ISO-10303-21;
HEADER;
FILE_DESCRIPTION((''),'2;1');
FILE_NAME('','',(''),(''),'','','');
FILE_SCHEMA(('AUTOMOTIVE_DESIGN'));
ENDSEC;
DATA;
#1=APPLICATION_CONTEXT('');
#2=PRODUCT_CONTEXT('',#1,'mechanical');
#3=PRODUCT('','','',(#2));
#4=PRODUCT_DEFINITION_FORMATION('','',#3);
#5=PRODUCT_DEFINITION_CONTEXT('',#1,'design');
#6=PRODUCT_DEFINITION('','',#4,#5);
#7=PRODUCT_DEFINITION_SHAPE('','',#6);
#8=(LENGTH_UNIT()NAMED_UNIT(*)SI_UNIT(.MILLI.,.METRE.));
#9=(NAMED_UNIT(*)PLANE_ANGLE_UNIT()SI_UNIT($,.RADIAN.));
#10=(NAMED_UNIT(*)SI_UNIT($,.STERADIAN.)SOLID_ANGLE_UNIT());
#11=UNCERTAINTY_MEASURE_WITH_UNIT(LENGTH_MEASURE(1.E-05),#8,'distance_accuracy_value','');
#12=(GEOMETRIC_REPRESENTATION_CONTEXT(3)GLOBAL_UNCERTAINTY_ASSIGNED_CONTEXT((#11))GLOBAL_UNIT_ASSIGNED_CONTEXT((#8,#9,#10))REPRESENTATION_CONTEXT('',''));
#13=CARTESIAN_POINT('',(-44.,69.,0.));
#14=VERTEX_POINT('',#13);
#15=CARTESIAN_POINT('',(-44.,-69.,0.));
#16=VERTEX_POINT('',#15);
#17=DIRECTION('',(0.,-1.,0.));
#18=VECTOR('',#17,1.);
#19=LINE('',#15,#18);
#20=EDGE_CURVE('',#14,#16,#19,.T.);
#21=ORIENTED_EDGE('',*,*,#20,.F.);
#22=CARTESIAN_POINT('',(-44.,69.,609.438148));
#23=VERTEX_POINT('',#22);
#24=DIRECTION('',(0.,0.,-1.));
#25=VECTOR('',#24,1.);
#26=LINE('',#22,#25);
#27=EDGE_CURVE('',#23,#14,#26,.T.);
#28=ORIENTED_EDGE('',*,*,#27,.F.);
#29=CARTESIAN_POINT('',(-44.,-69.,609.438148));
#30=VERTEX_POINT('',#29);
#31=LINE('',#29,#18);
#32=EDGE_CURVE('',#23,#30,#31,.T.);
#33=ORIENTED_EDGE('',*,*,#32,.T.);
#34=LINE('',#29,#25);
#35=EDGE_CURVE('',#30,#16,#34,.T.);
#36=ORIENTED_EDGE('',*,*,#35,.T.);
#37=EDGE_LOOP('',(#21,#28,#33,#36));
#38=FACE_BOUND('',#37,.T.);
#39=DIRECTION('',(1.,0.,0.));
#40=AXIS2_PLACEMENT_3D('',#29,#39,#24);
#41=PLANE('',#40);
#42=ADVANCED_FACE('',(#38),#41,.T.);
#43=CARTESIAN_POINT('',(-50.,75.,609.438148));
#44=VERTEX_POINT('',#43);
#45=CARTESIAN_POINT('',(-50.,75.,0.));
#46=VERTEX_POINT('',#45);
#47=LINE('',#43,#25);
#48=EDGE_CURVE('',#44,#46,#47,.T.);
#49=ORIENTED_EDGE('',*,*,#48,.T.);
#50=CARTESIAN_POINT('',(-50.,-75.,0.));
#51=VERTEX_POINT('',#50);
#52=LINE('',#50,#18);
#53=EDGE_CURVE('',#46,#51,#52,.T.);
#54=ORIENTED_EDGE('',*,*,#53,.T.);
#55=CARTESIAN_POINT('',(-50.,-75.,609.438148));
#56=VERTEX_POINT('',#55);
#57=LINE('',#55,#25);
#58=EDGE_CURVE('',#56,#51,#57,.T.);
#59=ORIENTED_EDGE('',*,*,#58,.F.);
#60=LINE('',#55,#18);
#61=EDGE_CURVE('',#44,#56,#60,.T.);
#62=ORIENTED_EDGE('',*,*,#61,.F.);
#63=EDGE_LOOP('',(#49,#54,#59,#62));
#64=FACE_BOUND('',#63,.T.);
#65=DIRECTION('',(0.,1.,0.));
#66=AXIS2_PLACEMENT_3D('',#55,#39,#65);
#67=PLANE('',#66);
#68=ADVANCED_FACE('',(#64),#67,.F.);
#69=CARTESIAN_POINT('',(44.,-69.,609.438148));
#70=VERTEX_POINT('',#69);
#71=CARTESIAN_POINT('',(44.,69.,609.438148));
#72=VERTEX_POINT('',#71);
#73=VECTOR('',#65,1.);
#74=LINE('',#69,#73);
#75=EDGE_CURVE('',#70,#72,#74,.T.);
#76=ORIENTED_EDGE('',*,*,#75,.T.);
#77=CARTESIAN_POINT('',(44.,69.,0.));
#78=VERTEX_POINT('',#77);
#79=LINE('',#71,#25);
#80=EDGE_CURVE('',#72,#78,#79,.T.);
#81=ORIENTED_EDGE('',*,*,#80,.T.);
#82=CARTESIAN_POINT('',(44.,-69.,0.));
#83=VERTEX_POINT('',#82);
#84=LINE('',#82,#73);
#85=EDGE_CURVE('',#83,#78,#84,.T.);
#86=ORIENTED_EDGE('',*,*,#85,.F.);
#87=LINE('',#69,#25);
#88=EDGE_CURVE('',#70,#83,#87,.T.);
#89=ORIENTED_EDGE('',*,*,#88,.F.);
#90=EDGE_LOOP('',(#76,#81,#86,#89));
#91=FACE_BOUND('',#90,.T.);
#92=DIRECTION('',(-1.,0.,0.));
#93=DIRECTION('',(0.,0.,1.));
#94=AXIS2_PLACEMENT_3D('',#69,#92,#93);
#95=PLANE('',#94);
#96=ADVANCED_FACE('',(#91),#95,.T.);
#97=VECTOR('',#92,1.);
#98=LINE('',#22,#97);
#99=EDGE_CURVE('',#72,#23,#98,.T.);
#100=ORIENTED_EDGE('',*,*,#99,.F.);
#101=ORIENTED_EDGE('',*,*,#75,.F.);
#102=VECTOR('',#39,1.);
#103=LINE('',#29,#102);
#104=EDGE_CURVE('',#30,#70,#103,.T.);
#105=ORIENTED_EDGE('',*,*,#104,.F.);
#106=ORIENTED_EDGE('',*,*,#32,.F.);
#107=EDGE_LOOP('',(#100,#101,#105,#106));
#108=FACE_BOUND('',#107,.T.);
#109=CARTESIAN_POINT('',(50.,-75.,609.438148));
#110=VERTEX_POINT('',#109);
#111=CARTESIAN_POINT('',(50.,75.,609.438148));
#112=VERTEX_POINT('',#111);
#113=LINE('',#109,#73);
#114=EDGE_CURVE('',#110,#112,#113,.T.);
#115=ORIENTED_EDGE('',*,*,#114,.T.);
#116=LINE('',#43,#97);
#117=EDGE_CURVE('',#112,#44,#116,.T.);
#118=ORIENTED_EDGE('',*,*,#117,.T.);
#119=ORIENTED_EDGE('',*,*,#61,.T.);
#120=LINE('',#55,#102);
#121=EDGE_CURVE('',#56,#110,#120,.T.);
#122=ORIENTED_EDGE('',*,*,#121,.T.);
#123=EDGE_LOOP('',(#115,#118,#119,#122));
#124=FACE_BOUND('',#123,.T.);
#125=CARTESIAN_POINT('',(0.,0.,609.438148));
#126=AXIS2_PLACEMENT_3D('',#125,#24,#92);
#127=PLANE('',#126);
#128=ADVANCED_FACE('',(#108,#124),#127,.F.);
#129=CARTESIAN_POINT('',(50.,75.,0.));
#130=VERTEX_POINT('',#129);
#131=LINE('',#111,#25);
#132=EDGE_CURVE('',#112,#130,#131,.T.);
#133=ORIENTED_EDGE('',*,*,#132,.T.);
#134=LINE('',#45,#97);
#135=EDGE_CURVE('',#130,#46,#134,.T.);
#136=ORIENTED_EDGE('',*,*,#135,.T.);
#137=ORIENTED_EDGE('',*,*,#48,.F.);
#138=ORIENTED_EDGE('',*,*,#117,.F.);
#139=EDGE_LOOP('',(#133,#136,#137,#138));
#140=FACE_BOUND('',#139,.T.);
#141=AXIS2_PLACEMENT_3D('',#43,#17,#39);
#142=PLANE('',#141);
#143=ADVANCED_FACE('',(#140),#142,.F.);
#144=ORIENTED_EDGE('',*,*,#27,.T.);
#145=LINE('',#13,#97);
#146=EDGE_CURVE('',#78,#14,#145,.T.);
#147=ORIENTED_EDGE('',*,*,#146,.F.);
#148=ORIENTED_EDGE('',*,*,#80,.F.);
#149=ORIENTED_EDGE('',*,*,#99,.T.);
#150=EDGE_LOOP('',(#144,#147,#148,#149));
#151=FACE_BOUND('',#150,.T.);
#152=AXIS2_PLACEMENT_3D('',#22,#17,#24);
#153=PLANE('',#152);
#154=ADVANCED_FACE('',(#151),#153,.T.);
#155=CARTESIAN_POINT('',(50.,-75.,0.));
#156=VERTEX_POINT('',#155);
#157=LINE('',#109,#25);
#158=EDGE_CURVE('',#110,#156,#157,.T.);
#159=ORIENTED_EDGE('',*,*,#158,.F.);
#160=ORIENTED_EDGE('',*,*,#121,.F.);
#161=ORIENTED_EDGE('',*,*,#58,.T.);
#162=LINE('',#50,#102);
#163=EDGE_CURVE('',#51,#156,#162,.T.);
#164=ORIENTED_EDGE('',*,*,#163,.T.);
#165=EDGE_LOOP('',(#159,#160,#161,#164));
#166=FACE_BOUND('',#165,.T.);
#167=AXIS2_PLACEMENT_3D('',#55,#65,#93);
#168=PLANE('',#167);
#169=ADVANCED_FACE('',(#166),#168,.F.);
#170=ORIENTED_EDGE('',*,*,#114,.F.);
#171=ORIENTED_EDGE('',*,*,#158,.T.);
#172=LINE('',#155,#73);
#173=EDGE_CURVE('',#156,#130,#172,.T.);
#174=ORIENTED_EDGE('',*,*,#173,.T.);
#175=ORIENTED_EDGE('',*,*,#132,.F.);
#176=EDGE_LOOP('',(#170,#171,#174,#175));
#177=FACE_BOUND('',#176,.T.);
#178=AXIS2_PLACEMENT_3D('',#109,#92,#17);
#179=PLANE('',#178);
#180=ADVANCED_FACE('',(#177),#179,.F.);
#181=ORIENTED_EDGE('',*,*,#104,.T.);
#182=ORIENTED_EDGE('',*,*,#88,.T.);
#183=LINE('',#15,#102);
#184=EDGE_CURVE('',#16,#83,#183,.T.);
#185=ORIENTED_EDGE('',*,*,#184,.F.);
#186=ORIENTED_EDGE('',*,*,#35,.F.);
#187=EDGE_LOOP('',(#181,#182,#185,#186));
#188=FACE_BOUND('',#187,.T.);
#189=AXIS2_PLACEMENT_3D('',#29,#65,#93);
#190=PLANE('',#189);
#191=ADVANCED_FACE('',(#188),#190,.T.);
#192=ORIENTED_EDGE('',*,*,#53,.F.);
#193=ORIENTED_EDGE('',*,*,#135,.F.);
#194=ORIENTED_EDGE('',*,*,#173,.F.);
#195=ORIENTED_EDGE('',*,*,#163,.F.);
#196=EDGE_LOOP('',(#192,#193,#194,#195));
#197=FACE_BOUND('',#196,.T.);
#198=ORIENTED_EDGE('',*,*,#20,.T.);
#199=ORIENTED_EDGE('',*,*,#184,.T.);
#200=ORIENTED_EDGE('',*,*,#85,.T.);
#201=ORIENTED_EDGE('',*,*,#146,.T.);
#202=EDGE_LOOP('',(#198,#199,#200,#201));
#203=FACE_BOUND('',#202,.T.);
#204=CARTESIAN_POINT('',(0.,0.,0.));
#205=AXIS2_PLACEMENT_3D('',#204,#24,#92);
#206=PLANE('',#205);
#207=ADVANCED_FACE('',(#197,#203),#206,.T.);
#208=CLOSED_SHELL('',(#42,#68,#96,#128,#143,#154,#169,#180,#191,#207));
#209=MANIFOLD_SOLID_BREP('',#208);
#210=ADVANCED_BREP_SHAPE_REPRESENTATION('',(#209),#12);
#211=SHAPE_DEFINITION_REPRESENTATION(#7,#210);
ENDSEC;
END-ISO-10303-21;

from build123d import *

# Parameters (mm, degrees)
SKETCH1_W           = 100
SKETCH1_H           = 150
SKETCH1_W_2         = 88
SKETCH1_H_2         = 138
BOSS_EXTRUDE1_DEPTH = 609.43814785


with BuildPart() as part:
    # Sketch1 → Boss-Extrude1 (new body)
    with BuildSketch(Plane.XY):
        Rectangle(SKETCH1_W, SKETCH1_H)
        Rectangle(SKETCH1_W_2, SKETCH1_H_2, mode=Mode.SUBTRACT)
    extrude(amount=BOSS_EXTRUDE1_DEPTH)


solid = part.part
